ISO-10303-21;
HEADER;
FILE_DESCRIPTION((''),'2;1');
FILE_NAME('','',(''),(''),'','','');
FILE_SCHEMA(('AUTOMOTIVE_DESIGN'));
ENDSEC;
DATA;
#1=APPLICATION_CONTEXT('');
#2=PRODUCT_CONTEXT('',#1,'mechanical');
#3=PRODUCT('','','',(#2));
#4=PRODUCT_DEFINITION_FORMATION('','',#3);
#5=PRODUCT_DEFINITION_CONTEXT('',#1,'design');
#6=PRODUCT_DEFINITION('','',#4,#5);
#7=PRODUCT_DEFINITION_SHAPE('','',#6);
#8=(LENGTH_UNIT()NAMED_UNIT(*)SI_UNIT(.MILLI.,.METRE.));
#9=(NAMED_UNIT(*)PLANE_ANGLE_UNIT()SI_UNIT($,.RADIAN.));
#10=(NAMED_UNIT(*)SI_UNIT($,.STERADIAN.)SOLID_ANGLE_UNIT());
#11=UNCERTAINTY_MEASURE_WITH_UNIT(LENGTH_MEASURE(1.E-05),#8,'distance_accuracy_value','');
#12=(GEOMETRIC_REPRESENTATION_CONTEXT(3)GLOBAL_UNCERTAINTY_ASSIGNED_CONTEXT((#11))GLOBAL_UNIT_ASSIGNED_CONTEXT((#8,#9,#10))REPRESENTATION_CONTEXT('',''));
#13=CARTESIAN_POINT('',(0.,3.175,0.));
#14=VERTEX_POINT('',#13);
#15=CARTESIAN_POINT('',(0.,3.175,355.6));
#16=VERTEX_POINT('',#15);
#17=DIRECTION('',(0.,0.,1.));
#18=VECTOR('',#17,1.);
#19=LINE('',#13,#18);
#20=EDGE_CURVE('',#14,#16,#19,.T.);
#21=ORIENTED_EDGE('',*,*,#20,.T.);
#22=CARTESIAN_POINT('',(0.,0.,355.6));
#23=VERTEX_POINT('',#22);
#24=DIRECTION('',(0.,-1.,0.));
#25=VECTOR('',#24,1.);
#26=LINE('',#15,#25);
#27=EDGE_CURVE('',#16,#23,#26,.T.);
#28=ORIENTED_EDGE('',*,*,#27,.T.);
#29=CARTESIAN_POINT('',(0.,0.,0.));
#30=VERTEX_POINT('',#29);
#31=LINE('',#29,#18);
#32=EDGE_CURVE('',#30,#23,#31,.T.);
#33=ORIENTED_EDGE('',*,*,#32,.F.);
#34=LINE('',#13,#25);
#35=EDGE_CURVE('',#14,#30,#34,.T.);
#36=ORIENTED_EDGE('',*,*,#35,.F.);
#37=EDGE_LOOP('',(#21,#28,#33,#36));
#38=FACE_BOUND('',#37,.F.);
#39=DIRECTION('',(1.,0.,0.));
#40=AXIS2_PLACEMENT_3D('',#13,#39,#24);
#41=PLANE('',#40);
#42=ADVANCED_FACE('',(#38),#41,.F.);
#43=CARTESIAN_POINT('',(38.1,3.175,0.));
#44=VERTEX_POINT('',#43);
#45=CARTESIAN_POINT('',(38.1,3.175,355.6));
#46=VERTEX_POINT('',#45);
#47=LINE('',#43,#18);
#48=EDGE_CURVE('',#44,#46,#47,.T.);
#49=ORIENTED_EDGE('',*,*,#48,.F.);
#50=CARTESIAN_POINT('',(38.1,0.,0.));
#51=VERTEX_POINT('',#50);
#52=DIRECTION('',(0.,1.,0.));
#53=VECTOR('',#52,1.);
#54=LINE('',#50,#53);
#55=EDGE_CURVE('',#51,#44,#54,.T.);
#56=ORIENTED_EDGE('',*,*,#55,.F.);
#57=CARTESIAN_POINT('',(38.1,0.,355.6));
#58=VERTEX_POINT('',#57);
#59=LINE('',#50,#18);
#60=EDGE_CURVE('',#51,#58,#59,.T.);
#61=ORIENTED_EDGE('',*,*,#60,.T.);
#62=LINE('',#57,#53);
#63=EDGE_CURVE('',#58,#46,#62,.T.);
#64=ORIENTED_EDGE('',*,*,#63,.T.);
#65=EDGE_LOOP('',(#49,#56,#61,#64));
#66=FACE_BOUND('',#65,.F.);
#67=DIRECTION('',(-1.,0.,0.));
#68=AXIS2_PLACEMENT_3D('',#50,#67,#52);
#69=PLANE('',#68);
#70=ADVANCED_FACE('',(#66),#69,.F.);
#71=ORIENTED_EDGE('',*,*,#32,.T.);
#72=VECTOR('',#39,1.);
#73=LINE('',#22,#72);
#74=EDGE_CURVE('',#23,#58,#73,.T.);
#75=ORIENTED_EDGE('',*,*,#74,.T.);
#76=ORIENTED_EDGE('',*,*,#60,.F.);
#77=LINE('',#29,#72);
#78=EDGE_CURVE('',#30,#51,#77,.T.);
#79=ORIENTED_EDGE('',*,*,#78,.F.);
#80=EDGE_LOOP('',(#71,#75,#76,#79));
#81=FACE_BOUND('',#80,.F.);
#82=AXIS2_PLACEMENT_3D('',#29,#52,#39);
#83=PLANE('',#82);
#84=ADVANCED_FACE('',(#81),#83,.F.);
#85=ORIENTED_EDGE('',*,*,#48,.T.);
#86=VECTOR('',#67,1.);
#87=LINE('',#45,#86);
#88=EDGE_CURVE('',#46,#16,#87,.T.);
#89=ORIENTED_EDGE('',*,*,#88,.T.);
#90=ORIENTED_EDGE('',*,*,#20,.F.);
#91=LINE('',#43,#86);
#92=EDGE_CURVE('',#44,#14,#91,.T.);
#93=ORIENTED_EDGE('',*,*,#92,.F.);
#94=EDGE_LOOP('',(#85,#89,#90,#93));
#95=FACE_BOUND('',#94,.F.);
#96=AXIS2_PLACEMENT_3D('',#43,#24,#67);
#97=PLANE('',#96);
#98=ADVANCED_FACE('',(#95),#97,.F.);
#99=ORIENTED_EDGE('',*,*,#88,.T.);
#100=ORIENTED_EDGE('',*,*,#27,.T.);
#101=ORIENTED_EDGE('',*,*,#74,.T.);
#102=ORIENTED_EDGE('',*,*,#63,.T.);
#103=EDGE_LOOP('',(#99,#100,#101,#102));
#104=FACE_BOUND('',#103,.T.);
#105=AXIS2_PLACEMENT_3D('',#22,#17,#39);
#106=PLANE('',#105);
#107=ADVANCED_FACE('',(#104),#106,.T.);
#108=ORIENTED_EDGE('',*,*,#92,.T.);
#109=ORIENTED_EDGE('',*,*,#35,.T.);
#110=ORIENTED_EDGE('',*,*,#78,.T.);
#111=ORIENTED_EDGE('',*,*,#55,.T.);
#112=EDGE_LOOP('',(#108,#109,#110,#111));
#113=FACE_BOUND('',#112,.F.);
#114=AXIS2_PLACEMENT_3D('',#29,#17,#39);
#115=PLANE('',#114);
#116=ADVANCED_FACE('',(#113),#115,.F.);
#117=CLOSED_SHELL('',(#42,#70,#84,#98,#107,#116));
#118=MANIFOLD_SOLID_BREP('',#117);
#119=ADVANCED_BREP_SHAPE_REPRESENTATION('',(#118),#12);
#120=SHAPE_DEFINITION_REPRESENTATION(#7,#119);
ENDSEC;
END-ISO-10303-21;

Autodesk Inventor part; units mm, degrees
ref_plane "YZ Plane" through (0, 0, 0) normal (1, 0, 0) x (0, 1, 0)
ref_plane "XZ Plane" through (0, 0, 0) normal (0, 1, 0) x (-1, 0, 0)
ref_plane "XY Plane" through (0, 0, 0) normal (0, 0, 1) x (1, 0, 0)
sketch "Sketch1" plane through (0, 0, 0) normal (0, 0, 1) x (1, 0, 0)
  line L0 (0, 0) -> (38.1, 0)
  line L1 (38.1, 0) -> (38.1, 3.175)
  line L2 (38.1, 3.175) -> (0, 3.175)
  line L3 (0, 3.175) -> (0, 0)
  dimension "d0" = 38.1
  dimension "d1" = 3.175
extrude "Extrusion1" add sketch "Sketch1" along normal blind 355.6
properties part number "14in Steel beam"
